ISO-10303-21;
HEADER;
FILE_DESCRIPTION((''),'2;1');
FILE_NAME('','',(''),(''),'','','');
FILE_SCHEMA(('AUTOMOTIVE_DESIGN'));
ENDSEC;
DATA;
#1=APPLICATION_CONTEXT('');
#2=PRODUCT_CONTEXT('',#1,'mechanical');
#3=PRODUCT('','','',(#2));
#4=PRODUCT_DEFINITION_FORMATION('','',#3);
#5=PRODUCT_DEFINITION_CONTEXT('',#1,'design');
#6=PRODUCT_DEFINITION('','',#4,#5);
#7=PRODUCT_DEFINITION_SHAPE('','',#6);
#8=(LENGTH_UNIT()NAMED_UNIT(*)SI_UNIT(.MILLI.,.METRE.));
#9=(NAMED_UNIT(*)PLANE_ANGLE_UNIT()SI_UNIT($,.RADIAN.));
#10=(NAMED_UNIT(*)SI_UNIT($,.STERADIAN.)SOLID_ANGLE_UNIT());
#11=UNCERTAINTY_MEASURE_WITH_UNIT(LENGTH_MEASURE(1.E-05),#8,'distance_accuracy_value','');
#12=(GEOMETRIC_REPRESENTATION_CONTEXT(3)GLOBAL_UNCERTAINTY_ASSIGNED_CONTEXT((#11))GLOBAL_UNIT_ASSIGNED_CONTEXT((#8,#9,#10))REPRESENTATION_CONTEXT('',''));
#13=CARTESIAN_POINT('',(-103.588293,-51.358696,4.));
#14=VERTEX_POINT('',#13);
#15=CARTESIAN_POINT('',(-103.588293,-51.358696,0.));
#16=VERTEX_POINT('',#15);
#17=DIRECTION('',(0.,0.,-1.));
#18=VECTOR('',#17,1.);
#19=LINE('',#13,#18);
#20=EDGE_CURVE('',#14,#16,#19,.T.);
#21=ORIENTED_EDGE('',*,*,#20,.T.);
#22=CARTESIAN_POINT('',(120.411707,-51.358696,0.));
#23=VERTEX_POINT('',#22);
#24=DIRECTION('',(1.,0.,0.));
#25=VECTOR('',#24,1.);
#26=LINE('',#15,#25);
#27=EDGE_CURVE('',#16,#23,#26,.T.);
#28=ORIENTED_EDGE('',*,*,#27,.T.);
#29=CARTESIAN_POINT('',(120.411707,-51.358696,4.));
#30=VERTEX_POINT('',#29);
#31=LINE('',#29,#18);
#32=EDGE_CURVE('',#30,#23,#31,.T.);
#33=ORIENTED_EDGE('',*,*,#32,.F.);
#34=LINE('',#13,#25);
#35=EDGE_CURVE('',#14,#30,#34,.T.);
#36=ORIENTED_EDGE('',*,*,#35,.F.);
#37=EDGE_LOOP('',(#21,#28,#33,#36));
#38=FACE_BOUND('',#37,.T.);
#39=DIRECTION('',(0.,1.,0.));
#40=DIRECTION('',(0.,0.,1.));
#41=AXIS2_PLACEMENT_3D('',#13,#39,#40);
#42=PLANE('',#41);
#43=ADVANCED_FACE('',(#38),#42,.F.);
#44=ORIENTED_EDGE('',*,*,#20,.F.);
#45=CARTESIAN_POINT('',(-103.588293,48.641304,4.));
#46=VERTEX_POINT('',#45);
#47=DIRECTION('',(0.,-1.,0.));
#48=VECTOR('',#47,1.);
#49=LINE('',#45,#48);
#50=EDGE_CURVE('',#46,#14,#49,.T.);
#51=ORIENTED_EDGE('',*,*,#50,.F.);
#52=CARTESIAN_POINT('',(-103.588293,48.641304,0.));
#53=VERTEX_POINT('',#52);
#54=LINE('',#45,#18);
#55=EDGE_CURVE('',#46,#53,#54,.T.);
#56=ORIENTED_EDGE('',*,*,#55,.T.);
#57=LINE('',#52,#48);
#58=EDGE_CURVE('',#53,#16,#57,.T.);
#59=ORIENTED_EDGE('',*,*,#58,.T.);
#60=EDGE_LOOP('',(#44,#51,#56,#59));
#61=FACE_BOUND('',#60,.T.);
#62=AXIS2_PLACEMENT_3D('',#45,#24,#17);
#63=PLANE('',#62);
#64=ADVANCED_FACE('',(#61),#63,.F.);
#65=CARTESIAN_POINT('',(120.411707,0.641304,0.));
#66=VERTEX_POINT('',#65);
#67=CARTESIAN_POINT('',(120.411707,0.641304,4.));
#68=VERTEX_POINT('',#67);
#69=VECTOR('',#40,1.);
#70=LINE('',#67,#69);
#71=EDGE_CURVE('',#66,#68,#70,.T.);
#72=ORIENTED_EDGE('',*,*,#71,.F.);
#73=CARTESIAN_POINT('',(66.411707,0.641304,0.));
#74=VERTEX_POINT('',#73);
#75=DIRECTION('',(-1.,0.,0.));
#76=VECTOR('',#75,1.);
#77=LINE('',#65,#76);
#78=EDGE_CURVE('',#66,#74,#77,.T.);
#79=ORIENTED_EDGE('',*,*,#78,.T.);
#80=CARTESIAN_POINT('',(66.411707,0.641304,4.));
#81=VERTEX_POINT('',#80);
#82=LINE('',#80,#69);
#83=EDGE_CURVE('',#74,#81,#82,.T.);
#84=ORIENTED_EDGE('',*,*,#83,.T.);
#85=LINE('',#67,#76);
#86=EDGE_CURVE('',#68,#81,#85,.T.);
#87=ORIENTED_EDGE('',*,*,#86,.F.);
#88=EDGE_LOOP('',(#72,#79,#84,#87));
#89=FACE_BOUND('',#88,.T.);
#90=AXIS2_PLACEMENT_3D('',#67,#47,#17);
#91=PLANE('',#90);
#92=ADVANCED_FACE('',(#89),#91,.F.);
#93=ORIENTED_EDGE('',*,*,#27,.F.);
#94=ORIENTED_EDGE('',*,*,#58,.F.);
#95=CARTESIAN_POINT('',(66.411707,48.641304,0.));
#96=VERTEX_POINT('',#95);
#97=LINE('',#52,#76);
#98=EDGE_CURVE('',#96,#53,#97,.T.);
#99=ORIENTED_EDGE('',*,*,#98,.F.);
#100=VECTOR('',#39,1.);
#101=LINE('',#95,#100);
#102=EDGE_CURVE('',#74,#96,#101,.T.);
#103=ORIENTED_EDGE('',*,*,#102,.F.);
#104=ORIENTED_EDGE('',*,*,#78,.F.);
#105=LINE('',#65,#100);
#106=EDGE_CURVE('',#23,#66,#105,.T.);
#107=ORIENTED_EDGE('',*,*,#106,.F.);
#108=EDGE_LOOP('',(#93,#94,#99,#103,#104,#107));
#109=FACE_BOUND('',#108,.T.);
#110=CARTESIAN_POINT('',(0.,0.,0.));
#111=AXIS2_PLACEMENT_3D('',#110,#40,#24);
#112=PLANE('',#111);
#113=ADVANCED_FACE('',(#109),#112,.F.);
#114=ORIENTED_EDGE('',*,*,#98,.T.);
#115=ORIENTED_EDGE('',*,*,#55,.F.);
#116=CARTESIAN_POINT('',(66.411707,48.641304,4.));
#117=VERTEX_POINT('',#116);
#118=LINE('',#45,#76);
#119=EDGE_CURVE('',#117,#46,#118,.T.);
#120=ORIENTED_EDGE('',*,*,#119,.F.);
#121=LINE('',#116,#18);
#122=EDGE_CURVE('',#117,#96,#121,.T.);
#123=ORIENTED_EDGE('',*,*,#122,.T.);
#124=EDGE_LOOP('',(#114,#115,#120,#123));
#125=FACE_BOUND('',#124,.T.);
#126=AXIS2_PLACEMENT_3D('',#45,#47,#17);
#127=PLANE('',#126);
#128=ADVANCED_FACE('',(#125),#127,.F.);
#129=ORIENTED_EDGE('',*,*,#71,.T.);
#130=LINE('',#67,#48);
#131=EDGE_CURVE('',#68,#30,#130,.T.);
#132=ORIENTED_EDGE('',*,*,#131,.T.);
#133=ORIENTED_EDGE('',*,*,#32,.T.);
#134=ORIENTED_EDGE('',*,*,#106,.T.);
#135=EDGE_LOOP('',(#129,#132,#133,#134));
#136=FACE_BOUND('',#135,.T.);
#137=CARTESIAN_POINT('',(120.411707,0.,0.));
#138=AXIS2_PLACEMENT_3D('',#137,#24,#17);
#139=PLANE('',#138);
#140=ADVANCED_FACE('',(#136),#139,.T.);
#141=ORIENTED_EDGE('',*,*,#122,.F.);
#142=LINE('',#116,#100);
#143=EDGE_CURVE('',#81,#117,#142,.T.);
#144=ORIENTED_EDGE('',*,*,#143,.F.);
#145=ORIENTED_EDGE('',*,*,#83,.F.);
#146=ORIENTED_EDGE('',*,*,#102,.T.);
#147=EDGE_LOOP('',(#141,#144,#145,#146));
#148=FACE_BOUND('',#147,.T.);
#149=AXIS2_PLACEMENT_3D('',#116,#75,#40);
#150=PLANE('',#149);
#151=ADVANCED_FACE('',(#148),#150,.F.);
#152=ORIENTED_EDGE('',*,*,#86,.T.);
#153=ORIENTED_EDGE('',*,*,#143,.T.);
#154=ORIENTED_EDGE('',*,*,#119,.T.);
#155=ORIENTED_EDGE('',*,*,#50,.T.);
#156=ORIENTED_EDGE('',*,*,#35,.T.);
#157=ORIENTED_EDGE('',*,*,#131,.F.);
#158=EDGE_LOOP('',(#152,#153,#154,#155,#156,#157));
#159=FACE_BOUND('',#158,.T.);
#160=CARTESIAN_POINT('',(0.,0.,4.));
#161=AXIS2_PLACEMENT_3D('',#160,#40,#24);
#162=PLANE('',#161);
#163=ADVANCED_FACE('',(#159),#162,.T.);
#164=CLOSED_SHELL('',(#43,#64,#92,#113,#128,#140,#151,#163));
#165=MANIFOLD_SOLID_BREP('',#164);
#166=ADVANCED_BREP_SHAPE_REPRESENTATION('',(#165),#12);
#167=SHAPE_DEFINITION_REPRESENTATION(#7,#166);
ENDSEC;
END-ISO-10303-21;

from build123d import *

# Parameters (mm, degrees)
ESQUISSE1_W        = 170
ESQUISSE1_H        = 100
BOSS_EXTRU_1_DEPTH = 4
ESQUISSE2_W        = 4
ESQUISSE2_H        = 52
BOSS_EXTRU_2_DEPTH = 54


with BuildPart() as part:
    # Esquisse1 → Boss.-Extru.1 (new body)
    with BuildSketch(Plane.XY):
        with Locations((-18.588292944, -1.358695652)):
            Rectangle(ESQUISSE1_W, ESQUISSE1_H)
    extrude(amount=BOSS_EXTRU_1_DEPTH)

    # Esquisse2 → Boss.-Extru.2 (add)
    with BuildSketch(Plane(origin=(66.411707056, 0, 0), x_dir=(0, 0, -1), z_dir=(1, 0, 0))):
        with Locations((-2, -25.358695652)):
            Rectangle(ESQUISSE2_W, ESQUISSE2_H)
    extrude(amount=BOSS_EXTRU_2_DEPTH)


solid = part.part
